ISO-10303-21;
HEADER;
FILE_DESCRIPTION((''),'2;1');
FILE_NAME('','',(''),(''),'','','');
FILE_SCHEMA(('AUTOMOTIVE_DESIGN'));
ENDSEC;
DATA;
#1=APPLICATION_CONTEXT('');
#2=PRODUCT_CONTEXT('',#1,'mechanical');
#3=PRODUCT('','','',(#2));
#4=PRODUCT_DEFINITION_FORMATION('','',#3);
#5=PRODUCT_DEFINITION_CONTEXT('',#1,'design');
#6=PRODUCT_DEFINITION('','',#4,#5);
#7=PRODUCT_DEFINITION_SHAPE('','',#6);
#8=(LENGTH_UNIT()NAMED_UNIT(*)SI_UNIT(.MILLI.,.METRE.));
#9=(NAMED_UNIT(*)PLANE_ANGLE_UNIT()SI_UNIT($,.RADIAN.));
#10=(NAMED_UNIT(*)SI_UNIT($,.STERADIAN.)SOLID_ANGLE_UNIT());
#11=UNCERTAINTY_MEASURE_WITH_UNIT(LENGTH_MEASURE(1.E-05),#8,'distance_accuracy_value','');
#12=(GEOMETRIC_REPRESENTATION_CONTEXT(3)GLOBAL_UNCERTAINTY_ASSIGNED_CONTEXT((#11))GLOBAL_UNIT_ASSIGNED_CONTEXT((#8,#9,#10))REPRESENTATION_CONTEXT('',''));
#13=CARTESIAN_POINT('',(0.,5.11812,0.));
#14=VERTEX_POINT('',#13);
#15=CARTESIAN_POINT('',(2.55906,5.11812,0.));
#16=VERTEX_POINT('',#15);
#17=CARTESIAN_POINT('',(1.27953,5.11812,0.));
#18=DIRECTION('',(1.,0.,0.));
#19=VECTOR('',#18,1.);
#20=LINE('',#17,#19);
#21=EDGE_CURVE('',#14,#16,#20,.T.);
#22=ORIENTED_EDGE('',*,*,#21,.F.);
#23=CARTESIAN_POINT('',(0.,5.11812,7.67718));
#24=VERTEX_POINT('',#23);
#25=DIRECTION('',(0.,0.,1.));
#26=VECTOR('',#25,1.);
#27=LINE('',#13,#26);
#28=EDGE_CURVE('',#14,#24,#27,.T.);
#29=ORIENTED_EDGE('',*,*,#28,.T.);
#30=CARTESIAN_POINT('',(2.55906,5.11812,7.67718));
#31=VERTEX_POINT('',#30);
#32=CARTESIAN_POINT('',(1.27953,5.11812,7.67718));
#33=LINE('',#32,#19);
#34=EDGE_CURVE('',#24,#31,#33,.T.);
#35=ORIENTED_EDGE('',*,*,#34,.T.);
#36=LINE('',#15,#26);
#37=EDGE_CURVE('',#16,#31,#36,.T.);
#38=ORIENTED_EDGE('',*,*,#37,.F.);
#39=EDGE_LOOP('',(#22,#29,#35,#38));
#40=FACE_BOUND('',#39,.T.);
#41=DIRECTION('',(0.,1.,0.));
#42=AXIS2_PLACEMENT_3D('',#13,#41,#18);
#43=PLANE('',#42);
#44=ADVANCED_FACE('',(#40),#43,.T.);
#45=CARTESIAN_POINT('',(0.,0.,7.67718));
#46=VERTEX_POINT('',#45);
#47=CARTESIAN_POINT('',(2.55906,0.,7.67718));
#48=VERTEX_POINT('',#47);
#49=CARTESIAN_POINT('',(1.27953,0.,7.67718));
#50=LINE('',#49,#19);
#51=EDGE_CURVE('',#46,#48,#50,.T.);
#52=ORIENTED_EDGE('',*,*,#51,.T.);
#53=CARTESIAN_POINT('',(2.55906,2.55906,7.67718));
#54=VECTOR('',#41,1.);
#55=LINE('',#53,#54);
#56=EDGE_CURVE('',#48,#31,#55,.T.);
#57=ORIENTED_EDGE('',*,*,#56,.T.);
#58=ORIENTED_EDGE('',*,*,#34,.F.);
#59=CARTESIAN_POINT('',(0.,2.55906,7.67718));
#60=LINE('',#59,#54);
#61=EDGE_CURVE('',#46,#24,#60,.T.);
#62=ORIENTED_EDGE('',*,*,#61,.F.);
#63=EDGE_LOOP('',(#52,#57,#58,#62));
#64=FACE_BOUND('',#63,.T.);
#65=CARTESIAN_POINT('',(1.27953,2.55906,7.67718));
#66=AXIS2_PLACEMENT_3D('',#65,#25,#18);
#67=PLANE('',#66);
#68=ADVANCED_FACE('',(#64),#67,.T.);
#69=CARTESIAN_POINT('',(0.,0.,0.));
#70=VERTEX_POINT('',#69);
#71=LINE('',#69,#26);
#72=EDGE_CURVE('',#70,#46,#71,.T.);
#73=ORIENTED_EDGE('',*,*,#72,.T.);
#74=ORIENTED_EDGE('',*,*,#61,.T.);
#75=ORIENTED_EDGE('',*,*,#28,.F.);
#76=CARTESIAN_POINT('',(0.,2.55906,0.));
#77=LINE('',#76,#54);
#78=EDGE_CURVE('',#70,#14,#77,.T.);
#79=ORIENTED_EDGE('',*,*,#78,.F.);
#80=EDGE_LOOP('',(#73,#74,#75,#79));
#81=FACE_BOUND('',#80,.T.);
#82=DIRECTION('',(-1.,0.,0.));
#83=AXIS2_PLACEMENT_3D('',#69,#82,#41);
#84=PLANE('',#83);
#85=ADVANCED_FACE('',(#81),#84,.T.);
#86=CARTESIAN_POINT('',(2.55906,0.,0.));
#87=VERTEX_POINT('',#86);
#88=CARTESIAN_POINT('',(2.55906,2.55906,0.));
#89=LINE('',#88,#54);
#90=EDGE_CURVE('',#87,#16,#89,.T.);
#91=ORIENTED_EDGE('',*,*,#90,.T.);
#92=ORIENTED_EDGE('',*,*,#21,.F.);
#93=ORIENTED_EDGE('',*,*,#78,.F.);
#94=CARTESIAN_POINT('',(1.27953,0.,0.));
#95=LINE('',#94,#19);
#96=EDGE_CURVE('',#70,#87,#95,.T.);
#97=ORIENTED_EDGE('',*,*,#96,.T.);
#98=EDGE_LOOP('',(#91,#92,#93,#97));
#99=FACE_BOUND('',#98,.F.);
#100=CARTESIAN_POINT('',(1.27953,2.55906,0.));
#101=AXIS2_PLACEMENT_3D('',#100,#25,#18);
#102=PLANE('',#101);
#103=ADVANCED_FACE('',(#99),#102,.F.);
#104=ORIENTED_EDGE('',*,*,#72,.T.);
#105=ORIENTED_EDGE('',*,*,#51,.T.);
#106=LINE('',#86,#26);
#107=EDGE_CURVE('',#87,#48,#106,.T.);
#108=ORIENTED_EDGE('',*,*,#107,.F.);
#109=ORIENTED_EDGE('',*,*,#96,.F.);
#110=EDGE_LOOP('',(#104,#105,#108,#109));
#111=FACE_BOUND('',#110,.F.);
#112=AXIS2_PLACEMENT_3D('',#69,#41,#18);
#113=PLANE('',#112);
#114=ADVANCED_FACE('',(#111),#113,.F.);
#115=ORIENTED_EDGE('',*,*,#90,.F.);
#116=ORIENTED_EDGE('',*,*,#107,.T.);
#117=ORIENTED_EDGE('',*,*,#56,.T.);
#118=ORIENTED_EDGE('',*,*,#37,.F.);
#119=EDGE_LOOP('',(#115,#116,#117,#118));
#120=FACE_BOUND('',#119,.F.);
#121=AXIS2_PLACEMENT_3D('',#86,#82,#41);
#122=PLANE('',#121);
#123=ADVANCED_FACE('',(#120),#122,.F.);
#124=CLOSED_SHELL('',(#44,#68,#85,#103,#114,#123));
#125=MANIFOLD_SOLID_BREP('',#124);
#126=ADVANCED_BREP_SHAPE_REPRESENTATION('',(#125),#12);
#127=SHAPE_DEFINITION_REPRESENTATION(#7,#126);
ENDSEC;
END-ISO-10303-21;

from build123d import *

# Parameters (mm, degrees)
BOX_W     = 2.55906
BOX_H     = 5.11812
BOX_DEPTH = 7.67718


with BuildPart() as part:
    # Box → Box (new body)
    with BuildSketch(Plane.XY):
        with Locations((1.27953, 2.55906)):
            Rectangle(BOX_W, BOX_H)
    extrude(amount=BOX_DEPTH)


solid = part.part
